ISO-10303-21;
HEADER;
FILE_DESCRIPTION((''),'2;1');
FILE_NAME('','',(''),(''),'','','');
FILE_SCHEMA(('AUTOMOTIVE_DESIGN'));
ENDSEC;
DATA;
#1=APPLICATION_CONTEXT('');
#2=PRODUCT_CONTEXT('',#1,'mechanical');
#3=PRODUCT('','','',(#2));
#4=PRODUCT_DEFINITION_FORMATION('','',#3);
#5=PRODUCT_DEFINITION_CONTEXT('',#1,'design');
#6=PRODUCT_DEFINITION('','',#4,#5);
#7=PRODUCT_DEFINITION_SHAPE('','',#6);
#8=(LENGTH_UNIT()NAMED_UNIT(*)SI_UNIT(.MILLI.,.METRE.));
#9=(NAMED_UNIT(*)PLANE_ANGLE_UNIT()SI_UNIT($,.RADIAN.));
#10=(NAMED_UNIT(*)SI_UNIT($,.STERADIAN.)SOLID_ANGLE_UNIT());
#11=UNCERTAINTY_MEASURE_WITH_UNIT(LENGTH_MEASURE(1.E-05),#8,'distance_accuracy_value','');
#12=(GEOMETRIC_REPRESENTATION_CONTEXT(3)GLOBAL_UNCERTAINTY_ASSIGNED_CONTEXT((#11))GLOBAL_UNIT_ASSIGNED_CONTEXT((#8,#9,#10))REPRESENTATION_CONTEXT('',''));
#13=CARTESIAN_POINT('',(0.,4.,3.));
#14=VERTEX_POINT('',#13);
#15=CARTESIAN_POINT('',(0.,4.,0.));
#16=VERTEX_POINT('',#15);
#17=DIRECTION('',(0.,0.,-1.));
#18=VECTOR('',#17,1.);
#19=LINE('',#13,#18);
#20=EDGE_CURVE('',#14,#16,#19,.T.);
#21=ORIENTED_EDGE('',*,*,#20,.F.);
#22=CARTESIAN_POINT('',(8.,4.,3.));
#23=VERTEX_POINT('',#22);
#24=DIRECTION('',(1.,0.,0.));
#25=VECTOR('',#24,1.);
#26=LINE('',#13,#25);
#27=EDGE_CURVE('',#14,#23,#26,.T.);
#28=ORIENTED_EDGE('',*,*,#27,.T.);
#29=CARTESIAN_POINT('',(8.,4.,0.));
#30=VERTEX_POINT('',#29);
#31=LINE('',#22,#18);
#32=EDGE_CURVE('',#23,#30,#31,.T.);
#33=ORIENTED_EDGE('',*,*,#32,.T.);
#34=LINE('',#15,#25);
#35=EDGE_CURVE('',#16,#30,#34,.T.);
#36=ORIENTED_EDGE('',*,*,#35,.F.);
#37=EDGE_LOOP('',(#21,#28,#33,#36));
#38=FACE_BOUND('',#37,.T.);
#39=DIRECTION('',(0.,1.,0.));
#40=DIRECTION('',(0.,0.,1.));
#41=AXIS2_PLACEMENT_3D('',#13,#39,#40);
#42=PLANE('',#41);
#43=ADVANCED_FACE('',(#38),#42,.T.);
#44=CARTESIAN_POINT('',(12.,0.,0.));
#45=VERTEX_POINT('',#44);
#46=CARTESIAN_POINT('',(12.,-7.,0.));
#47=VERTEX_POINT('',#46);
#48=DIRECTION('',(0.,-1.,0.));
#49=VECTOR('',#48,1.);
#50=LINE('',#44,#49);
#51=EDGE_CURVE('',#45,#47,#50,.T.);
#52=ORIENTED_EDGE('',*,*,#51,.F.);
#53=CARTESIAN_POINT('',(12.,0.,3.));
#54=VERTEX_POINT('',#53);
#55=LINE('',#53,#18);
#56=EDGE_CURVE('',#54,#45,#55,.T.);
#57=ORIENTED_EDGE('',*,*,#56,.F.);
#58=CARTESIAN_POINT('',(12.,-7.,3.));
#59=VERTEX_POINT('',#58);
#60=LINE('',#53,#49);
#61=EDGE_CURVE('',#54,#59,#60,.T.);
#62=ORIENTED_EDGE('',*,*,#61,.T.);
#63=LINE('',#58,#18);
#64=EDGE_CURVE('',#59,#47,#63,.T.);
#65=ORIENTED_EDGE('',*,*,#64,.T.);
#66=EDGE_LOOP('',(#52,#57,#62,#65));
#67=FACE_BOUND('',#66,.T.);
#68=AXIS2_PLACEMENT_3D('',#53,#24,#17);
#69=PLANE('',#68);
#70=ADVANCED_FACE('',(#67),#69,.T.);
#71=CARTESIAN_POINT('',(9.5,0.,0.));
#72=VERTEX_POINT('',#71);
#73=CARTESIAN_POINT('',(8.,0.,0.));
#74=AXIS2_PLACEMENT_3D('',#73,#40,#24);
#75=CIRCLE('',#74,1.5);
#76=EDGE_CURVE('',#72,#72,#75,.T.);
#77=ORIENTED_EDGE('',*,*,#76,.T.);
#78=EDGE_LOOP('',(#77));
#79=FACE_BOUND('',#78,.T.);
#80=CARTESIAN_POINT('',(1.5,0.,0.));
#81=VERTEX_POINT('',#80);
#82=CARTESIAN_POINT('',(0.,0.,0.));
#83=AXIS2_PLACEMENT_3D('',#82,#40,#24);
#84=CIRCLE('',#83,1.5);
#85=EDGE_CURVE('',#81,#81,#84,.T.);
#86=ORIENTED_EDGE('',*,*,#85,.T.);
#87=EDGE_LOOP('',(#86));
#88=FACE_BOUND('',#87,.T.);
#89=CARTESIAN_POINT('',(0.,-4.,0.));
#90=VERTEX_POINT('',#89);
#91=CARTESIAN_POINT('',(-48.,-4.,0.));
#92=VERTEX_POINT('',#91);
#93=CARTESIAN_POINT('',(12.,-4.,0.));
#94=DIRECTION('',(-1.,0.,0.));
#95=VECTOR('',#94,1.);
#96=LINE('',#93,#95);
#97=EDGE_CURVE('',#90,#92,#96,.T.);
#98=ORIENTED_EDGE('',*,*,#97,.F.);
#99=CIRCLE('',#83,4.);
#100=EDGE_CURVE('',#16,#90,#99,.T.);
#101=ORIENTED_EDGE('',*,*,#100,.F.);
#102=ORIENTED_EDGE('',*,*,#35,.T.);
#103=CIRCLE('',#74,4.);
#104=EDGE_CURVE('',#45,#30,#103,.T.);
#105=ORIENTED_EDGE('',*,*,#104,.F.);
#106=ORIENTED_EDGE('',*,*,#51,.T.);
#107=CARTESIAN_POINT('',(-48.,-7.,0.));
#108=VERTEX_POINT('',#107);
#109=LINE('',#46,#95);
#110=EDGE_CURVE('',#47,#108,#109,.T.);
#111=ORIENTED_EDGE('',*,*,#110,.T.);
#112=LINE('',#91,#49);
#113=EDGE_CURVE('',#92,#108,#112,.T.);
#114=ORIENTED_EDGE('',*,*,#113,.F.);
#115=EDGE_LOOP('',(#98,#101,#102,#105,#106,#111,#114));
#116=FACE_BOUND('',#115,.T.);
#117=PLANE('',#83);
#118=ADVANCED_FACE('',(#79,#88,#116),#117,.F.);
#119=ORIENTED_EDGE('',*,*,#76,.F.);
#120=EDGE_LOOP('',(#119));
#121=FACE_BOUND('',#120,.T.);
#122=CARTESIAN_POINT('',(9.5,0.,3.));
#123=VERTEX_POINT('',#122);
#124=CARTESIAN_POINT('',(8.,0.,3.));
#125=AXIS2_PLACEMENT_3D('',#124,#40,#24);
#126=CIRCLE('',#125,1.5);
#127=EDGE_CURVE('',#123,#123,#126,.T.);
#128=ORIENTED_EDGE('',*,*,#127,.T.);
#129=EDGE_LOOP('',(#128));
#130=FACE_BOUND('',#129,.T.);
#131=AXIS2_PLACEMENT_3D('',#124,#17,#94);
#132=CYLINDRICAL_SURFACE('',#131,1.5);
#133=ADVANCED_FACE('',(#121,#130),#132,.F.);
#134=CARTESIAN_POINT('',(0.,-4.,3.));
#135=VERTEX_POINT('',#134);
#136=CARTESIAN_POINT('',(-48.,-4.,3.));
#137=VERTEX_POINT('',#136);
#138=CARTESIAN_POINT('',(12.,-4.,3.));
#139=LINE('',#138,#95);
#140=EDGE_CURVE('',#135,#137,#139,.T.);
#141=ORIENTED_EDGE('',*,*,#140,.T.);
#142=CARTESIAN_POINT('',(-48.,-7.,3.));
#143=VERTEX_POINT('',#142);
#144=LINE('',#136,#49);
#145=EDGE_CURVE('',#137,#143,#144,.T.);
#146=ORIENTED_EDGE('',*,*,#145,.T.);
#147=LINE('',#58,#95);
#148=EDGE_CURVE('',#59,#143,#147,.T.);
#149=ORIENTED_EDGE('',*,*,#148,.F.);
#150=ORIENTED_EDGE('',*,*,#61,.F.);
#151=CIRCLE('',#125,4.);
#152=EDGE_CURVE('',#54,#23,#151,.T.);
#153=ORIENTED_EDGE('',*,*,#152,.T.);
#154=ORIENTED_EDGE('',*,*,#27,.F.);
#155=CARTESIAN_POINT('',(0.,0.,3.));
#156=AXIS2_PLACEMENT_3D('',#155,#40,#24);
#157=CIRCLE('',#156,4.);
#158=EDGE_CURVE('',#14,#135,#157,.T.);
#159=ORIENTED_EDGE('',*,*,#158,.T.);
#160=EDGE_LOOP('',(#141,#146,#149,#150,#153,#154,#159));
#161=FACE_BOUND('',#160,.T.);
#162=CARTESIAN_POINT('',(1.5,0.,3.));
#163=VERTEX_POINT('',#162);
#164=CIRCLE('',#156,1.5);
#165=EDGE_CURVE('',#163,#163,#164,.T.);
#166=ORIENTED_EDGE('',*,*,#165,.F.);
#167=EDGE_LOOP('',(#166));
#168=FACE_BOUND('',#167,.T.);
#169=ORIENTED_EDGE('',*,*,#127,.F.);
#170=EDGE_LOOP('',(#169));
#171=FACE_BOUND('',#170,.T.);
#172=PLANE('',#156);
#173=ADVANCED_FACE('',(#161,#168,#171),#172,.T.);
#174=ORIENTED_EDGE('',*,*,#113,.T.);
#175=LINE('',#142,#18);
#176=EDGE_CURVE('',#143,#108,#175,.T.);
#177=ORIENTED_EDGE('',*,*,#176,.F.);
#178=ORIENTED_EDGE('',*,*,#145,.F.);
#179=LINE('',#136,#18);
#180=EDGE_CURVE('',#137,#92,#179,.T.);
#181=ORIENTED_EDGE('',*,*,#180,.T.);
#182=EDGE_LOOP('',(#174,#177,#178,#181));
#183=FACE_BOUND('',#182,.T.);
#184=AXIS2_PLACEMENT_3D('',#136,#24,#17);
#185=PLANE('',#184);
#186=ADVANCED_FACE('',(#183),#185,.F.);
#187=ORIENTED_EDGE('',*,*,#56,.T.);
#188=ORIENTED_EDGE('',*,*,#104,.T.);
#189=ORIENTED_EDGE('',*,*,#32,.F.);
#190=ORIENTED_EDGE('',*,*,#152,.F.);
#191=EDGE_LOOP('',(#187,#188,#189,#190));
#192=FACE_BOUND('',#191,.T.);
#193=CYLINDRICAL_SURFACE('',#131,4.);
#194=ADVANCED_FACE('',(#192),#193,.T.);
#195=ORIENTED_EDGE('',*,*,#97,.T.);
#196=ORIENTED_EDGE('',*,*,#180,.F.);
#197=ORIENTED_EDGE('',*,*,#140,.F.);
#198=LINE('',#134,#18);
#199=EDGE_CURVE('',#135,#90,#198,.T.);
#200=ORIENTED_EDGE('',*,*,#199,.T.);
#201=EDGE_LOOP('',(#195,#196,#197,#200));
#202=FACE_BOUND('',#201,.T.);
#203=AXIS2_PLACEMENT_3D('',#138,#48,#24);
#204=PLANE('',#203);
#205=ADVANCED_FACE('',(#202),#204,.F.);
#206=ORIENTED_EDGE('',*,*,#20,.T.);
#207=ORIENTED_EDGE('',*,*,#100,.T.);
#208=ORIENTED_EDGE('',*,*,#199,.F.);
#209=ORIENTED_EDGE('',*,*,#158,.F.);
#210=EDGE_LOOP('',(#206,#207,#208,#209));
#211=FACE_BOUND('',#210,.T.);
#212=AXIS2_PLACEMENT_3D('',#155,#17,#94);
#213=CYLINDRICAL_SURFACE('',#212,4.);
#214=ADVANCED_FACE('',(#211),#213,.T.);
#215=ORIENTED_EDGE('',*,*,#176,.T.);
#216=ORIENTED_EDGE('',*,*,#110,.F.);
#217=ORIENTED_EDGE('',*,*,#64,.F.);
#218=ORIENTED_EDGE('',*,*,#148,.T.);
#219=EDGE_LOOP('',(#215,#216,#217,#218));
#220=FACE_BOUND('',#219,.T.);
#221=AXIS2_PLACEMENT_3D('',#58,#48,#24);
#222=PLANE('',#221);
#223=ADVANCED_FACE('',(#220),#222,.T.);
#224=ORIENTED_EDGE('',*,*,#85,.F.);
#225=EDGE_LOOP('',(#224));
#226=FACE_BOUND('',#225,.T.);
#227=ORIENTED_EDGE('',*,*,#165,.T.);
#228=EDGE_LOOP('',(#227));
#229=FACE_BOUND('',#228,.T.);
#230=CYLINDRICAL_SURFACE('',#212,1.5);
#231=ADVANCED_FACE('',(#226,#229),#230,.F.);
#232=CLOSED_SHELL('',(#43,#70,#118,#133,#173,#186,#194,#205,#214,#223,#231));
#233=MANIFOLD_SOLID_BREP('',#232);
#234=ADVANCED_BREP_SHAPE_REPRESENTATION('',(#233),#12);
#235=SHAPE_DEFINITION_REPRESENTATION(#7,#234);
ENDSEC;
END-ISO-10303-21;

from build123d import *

# Parameters (mm, degrees)
CROQUIS1_R              = 1.5
SALIENTE_EXTRUIR1_DEPTH = 3


with BuildPart() as part:
    # Croquis1 → Saliente-Extruir1 (new body)
    with BuildSketch(Plane.XY):
        with BuildLine():
            Line((0, -4), (-48, -4))
            Line((-48, -4), (-48, -7))
            Line((-48, -7), (12, -7))
            Line((12, -7), (12, 0))
            ThreePointArc((12, 0), (10.828427125, 2.828427125), (8, 4))
            Line((8, 4), (0, 4))
            ThreePointArc((0, 4), (-4, 0), (0, -4))
        make_face()
        Circle(CROQUIS1_R, mode=Mode.SUBTRACT)
        with Locations((8, 0)):
            Circle(CROQUIS1_R, mode=Mode.SUBTRACT)
    extrude(amount=SALIENTE_EXTRUIR1_DEPTH)


solid = part.part
